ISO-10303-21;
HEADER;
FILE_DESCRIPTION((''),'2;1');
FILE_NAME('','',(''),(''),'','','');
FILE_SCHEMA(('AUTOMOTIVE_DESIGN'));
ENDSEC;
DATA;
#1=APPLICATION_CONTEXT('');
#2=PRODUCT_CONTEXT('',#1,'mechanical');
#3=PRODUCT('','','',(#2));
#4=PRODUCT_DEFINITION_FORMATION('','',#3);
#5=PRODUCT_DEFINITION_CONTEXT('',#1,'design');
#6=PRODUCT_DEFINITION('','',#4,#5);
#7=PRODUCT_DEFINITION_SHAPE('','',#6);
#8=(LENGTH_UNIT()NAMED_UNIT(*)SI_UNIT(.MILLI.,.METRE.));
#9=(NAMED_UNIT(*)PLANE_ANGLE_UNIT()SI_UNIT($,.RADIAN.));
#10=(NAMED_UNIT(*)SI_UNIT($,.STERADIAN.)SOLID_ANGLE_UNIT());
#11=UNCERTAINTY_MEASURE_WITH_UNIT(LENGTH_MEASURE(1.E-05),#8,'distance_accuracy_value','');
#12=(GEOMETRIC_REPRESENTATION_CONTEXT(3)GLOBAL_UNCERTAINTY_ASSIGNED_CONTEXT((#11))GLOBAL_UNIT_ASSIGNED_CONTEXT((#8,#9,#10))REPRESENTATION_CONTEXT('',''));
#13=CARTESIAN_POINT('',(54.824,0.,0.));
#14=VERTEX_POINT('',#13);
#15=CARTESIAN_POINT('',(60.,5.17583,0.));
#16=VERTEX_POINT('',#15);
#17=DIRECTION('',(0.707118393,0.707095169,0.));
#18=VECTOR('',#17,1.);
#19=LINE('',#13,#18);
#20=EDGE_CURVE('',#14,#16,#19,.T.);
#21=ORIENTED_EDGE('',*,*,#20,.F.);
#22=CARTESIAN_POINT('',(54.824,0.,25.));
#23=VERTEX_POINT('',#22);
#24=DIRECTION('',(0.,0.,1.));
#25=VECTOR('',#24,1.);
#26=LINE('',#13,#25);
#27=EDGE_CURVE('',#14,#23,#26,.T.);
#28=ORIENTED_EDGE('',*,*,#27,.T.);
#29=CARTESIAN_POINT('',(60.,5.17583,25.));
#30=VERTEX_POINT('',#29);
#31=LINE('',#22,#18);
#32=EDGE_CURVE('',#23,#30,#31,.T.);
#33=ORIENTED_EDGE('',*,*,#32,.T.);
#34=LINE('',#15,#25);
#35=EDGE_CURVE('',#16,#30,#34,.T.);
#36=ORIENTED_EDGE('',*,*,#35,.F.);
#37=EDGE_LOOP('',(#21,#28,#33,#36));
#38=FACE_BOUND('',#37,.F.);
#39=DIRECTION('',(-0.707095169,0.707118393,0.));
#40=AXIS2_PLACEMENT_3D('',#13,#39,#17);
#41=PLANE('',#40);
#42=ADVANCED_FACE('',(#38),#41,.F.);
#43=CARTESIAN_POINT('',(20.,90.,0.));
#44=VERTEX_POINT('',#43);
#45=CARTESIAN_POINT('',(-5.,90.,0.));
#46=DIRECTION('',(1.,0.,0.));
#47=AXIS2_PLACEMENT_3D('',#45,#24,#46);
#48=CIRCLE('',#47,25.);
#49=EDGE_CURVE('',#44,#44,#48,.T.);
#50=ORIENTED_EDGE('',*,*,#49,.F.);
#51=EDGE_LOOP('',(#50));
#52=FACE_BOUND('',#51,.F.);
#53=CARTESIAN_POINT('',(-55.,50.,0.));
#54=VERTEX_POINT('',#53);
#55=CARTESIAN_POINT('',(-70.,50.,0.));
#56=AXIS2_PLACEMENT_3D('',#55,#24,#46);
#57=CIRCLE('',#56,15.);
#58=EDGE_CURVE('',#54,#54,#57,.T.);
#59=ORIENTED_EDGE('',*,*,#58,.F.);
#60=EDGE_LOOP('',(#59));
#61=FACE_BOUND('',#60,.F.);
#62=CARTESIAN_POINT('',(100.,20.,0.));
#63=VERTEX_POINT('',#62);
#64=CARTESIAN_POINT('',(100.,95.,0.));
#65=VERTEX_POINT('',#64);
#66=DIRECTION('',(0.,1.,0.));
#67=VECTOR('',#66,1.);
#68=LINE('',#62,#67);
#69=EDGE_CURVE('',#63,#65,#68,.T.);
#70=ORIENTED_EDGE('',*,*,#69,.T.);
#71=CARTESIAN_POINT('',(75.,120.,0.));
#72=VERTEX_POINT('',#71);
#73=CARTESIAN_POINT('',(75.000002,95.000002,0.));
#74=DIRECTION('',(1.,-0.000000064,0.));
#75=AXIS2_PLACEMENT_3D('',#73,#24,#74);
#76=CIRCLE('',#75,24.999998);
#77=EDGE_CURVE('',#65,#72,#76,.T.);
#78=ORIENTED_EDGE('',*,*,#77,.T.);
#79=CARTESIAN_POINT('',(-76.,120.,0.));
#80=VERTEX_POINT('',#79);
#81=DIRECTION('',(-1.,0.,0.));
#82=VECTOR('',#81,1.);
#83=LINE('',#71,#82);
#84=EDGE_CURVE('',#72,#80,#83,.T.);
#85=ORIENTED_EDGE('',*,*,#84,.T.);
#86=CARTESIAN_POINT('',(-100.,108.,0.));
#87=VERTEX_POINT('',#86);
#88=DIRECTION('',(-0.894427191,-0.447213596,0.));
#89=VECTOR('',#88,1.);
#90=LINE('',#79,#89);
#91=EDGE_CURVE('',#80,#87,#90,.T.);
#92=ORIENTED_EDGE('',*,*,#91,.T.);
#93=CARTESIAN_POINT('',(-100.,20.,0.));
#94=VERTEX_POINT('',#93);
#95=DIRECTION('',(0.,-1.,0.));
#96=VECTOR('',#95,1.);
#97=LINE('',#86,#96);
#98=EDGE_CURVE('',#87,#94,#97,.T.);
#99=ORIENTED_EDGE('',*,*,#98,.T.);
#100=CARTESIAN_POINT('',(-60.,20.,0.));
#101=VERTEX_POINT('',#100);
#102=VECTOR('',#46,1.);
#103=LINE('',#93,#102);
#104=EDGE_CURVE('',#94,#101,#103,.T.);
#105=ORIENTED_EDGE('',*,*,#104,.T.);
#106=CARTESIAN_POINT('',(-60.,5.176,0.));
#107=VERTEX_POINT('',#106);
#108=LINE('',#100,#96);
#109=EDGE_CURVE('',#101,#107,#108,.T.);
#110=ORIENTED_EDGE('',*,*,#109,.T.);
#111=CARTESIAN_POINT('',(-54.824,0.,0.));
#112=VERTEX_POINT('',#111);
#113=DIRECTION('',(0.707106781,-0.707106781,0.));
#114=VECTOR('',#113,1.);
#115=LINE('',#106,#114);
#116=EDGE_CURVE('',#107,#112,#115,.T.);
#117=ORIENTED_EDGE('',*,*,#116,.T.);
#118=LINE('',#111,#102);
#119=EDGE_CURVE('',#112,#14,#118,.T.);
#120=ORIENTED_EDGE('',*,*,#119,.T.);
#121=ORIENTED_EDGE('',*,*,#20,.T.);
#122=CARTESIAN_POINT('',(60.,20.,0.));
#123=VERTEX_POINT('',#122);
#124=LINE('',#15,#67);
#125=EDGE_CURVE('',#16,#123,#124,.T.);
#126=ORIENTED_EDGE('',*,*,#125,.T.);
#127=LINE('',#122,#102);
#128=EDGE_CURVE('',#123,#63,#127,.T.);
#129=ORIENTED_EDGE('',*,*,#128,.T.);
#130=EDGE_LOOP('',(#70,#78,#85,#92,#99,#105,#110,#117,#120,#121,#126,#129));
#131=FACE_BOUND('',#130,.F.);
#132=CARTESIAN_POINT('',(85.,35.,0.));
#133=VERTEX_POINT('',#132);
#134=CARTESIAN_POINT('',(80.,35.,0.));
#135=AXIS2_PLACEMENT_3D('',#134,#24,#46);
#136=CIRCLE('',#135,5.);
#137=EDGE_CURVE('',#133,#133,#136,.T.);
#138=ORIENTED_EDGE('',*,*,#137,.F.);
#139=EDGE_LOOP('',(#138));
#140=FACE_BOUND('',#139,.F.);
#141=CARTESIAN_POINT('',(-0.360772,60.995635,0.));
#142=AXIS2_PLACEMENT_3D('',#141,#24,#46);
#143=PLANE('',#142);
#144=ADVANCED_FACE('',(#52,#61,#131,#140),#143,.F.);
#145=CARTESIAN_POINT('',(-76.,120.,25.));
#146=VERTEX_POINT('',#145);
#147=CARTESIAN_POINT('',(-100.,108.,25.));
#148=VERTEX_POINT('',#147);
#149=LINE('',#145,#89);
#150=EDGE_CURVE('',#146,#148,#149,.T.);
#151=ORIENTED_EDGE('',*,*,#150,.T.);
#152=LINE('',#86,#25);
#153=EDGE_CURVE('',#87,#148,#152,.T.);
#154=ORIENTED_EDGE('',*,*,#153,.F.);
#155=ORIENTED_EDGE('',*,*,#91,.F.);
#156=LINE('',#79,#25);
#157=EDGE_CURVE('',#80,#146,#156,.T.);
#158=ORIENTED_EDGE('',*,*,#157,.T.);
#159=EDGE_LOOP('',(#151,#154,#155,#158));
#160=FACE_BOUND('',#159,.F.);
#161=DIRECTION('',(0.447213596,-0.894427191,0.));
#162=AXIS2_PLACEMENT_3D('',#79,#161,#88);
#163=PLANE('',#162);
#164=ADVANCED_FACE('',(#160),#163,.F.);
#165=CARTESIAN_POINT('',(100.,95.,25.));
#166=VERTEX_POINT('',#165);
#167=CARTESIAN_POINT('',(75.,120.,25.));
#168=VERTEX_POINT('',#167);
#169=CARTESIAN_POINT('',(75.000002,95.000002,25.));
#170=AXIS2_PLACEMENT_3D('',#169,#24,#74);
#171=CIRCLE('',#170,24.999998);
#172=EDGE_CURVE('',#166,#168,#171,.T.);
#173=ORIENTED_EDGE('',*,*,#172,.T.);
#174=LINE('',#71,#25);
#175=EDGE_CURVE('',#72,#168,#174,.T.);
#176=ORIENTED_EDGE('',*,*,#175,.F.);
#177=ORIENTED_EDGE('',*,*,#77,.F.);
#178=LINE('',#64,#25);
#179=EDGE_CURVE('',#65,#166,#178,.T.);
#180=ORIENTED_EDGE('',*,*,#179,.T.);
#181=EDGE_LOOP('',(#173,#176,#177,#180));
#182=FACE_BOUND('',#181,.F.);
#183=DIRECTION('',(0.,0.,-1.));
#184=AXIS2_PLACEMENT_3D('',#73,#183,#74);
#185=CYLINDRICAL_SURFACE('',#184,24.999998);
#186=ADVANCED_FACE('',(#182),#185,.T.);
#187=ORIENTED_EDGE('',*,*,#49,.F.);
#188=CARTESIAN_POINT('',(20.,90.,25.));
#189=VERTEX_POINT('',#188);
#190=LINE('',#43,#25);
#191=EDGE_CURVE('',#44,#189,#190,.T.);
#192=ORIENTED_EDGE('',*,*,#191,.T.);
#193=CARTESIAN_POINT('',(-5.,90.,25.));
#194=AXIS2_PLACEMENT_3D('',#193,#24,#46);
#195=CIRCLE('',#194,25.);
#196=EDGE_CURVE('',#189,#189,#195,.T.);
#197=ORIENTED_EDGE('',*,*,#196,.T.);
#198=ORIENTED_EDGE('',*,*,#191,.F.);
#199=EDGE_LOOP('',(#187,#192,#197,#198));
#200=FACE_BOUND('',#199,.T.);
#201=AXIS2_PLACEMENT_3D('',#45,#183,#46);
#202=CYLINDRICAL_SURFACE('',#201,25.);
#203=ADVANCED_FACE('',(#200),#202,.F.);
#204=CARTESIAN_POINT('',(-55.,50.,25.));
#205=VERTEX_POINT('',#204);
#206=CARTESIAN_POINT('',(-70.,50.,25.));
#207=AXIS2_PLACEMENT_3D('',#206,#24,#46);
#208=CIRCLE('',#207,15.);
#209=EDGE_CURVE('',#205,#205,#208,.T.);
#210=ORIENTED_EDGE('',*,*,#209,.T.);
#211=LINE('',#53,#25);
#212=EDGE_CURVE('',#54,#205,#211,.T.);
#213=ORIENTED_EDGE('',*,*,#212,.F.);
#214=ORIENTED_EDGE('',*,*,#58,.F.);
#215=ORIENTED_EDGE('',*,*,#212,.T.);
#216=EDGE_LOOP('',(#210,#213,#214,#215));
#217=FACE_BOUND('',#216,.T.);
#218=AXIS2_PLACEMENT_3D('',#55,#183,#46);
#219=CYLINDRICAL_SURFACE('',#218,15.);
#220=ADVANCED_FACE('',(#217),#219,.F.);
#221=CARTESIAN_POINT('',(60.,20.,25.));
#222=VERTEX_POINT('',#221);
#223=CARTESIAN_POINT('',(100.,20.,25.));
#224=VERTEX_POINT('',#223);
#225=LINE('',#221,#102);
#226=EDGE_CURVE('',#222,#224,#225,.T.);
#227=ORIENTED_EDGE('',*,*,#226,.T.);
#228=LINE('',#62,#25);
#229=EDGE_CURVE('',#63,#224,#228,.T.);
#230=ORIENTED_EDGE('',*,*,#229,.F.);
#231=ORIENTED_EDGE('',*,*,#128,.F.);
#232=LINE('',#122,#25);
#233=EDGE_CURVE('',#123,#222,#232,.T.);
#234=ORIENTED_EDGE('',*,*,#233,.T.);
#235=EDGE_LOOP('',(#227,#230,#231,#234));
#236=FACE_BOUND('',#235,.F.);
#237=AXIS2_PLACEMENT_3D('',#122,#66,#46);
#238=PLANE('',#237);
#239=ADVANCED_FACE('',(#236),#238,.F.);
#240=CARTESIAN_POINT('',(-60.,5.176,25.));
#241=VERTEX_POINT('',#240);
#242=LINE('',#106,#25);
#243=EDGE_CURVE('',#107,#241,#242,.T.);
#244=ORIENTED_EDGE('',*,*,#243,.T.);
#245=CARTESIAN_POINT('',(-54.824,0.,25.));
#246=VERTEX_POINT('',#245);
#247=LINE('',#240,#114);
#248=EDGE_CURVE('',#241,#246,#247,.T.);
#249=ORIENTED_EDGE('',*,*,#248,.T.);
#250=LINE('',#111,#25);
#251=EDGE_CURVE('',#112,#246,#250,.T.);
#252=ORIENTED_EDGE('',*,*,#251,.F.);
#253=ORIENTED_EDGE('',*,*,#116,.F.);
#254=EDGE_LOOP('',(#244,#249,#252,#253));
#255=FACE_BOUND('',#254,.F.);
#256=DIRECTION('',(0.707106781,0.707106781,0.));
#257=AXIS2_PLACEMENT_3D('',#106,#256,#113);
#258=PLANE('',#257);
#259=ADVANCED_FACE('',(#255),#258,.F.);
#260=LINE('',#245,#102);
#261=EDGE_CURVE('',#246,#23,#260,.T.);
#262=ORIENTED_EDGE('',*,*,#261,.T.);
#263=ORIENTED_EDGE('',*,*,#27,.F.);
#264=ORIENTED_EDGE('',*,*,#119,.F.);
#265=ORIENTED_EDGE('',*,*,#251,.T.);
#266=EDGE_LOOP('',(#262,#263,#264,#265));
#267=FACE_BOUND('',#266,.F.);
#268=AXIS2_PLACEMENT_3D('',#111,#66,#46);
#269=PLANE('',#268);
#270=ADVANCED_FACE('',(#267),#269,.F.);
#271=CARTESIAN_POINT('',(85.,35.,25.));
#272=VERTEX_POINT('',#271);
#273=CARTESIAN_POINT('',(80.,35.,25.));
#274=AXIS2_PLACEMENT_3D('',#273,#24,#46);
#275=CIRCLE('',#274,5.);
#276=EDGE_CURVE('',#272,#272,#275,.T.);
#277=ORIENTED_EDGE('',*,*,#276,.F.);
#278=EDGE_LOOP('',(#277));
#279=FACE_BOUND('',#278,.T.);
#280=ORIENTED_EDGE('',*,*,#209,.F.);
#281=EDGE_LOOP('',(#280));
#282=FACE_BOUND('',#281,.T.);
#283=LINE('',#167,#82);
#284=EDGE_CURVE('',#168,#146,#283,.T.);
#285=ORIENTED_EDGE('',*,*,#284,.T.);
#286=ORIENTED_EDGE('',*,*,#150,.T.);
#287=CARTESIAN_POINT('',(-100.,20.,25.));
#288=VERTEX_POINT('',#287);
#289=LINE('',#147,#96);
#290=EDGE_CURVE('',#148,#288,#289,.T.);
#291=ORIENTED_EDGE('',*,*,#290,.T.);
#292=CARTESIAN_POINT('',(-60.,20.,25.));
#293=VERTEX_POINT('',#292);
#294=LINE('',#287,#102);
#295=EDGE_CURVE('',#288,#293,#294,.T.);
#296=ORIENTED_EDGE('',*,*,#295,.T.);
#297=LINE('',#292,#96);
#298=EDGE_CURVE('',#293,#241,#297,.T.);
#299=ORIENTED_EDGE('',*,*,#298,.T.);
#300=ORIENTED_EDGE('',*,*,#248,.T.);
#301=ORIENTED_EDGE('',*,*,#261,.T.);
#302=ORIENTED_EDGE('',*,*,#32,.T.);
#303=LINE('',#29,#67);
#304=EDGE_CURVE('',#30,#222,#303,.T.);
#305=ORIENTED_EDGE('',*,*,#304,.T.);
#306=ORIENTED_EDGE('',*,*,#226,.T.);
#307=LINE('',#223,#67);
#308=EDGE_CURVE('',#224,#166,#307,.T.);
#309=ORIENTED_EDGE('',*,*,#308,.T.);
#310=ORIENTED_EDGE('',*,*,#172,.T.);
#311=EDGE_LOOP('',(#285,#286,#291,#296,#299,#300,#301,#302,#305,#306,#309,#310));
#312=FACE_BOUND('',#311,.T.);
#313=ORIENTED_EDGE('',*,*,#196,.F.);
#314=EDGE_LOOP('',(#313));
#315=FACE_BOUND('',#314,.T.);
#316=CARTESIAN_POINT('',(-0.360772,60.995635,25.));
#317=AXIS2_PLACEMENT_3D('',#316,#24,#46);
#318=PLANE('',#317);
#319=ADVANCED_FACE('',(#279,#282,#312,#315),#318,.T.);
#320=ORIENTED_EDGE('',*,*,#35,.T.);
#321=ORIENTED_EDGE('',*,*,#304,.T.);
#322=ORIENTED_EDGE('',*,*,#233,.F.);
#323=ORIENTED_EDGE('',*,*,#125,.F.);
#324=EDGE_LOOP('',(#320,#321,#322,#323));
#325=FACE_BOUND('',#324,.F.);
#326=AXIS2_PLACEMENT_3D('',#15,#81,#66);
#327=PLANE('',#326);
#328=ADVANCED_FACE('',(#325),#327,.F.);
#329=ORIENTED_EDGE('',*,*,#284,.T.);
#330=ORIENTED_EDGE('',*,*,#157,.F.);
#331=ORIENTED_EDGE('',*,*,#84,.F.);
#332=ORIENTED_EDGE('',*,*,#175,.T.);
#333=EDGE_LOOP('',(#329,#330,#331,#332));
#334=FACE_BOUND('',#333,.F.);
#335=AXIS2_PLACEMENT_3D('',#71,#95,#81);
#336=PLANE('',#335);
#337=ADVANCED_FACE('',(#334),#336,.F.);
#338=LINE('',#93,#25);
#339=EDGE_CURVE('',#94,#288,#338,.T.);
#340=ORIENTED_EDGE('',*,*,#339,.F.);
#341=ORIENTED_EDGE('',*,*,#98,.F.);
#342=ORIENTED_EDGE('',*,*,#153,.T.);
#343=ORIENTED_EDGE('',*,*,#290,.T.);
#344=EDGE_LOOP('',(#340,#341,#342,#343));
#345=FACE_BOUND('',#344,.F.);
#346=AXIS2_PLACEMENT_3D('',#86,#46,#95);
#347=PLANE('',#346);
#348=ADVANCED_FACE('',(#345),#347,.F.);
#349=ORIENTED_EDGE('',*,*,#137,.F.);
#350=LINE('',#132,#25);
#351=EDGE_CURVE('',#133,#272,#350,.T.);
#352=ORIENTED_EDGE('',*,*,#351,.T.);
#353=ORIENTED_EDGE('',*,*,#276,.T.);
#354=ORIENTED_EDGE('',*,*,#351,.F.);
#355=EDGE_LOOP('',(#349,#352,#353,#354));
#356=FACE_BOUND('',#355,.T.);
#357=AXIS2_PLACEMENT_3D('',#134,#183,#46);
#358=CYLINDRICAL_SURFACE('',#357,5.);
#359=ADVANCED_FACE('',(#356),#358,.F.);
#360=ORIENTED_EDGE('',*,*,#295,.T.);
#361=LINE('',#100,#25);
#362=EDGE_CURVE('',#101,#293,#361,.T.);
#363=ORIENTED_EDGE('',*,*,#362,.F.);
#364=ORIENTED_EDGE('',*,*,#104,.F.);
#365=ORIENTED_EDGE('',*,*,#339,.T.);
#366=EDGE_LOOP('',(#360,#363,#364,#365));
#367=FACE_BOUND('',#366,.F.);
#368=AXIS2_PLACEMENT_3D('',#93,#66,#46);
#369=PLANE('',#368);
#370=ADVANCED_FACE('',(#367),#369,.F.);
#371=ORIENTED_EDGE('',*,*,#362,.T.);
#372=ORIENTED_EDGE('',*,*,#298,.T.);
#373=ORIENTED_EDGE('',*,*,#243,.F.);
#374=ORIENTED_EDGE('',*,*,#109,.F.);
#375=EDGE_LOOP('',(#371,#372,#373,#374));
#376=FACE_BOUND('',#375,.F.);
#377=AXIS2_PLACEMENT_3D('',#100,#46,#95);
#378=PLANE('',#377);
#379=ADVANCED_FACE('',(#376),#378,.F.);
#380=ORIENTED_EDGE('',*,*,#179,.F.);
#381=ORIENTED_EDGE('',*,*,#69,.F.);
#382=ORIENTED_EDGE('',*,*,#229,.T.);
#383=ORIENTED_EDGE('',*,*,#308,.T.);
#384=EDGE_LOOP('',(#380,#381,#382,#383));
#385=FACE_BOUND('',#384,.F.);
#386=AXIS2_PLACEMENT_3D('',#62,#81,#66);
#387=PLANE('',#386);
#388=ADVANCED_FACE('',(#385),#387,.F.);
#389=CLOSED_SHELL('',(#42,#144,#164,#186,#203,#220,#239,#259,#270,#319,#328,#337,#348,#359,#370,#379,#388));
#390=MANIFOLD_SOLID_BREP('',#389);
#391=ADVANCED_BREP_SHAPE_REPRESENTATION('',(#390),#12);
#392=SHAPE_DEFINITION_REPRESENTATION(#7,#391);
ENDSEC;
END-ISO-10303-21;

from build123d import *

# Parameters (mm, degrees)
F0_R     = 15
F0_R_2   = 5
F0_R_3   = 25
F1_DEPTH = 25


with BuildPart() as f1:
    # F0 (on Top) → F1 (new body)
    with BuildSketch(Plane.XY):
        with BuildLine():
            Line((-54.824, 0), (0, 0))
            Line((0, 0), (54.824, 0))
            Line((54.824, 0), (60, 5.17583))
            Line((60, 5.17583), (60, 20))
            Line((60, 20), (100, 20))
            Line((100, 20), (100, 35))
            Line((100, 35), (100, 95))
            ThreePointArc((100, 95), (92.67767, 112.67767), (75, 120))
            Line((75, 120), (-5, 120))
            Line((-5, 120), (-76, 120))
            Line((-76, 120), (-100, 108))
            Line((-100, 108), (-100, 20))
            Line((-100, 20), (-70, 20))
            Line((-70, 20), (-60, 20))
            Line((-60, 20), (-60, 5.176))
            Line((-60, 5.176), (-54.824, 0))
        make_face()
        with Locations((-70, 50)):
            Circle(F0_R, mode=Mode.SUBTRACT)
        with Locations((80, 35)):
            Circle(F0_R_2, mode=Mode.SUBTRACT)
        with Locations((-5, 90)):
            Circle(F0_R_3, mode=Mode.SUBTRACT)
    extrude(amount=F1_DEPTH)


solid = f1.part
